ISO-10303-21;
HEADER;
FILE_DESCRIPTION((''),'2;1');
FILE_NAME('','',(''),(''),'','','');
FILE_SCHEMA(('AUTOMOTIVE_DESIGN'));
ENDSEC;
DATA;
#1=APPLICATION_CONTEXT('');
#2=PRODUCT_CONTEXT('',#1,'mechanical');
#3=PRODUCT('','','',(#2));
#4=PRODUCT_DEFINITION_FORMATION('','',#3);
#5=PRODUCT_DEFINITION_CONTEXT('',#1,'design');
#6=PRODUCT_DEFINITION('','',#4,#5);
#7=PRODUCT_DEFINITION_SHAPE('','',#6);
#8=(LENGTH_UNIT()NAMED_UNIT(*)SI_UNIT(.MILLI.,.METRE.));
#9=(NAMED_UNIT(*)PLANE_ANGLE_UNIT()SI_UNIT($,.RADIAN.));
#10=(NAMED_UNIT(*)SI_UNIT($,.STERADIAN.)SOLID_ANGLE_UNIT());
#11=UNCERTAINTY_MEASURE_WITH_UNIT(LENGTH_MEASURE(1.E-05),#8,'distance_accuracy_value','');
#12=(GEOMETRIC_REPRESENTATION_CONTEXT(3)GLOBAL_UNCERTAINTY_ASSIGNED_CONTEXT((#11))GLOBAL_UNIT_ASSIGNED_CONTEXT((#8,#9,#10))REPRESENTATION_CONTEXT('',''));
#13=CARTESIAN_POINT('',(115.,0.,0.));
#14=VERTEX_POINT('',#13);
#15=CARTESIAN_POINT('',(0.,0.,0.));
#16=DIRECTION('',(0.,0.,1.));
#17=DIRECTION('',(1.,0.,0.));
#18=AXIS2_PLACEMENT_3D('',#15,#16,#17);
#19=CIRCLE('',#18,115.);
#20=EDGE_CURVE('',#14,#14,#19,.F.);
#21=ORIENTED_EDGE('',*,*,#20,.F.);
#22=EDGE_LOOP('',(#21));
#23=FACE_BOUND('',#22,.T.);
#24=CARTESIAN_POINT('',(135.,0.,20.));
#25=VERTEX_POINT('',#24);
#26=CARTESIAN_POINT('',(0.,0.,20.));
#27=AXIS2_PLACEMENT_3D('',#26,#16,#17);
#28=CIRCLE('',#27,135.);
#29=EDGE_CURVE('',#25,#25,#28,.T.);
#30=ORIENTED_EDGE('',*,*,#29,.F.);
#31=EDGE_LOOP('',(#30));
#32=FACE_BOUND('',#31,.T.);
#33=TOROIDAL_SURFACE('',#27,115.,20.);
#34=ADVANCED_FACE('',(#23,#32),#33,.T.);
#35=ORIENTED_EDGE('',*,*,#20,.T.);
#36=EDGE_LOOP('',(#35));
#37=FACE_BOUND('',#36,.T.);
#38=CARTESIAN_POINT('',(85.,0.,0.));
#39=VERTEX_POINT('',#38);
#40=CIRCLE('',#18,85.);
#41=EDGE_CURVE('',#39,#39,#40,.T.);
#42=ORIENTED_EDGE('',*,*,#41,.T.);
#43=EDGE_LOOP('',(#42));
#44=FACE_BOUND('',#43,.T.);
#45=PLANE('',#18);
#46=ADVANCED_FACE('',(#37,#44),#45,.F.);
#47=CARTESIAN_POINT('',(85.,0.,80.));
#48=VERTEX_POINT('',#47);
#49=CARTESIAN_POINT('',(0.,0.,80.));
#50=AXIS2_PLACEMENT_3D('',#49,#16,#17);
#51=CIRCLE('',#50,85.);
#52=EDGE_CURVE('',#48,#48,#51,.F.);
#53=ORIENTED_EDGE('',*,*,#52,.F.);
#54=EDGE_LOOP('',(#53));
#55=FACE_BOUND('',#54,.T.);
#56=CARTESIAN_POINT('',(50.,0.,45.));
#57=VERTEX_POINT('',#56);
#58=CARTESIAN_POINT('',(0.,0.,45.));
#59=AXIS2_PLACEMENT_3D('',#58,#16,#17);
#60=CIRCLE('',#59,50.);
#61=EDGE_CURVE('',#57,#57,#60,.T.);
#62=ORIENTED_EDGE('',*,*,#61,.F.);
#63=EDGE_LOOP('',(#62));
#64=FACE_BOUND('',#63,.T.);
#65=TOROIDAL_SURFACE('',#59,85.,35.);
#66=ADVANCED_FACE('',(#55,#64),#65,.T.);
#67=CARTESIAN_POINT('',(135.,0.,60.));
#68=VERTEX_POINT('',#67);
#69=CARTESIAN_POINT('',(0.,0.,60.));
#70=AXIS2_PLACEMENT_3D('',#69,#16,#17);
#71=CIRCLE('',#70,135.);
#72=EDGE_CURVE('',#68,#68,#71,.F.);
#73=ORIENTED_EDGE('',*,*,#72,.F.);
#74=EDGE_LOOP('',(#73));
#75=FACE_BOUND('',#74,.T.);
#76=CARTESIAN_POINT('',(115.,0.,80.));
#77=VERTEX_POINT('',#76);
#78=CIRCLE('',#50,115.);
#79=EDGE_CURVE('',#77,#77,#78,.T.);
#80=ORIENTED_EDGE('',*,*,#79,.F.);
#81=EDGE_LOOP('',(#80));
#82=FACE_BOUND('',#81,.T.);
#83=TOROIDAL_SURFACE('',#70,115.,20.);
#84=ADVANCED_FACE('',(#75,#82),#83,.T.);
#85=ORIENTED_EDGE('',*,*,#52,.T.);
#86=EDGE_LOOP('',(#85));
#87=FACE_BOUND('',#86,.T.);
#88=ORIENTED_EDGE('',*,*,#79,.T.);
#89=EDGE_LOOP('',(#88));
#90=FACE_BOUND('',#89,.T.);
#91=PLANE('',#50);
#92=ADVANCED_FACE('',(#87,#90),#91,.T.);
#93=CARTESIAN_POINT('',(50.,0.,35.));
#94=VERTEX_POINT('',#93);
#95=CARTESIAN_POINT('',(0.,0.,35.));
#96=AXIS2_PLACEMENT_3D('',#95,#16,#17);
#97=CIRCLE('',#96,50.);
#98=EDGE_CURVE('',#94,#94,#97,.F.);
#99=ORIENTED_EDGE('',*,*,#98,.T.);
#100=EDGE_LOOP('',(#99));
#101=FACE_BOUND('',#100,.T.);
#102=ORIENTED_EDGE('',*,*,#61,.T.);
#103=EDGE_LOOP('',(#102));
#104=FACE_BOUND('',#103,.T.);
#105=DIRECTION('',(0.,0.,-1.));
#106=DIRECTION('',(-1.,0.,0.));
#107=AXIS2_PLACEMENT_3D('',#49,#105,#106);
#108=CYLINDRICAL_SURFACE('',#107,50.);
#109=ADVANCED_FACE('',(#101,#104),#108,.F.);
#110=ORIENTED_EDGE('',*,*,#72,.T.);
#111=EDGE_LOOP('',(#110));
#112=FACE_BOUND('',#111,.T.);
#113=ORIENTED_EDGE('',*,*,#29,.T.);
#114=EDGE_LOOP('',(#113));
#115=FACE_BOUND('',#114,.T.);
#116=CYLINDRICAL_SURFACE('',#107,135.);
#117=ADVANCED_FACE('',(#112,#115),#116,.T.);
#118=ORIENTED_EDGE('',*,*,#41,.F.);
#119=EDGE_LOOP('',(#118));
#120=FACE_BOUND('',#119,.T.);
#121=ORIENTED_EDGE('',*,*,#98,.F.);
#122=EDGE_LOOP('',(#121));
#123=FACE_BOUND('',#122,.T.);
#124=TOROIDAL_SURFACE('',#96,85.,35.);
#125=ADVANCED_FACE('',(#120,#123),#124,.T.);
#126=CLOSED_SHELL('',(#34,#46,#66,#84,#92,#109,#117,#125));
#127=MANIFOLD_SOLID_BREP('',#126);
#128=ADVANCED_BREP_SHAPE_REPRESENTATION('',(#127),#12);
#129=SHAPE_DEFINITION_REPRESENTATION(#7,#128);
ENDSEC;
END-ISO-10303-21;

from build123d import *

# Parameters (mm, degrees)
SKETCH_1_R      = 135
SKETCH_1_R_2    = 50
EXTRUDE_1_DEPTH = 80
FILLET_4_R      = 20
FILLET_5_R      = 20
FILLET_6_R      = 35
FILLET_7_R      = 35


with BuildPart() as part:
    # Эскиз1 → Вытянуть1 (new body)
    with BuildSketch(Plane.XY):
        Circle(SKETCH_1_R)
        Circle(SKETCH_1_R_2, mode=Mode.SUBTRACT)
    extrude(amount=EXTRUDE_1_DEPTH)

    # Скругление4
    fillet_4_edges = [part.edges().sort_by_distance(p)[0] for p in [
        (-135, 0, 0),
    ]]
    fillet(fillet_4_edges, radius=FILLET_4_R)

    # Скругление5
    fillet_5_edges = [part.edges().sort_by_distance(p)[0] for p in [
        (-135, 0, 80),
    ]]
    fillet(fillet_5_edges, radius=FILLET_5_R)

    # Скругление6
    fillet_6_edges = [part.edges().sort_by_distance(p)[0] for p in [
        (-50, 0, 0),
    ]]
    fillet(fillet_6_edges, radius=FILLET_6_R)

    # Скругление7
    fillet_7_edges = [part.edges().sort_by_distance(p)[0] for p in [
        (-50, 0, 80),
    ]]
    fillet(fillet_7_edges, radius=FILLET_7_R)


solid = part.part
